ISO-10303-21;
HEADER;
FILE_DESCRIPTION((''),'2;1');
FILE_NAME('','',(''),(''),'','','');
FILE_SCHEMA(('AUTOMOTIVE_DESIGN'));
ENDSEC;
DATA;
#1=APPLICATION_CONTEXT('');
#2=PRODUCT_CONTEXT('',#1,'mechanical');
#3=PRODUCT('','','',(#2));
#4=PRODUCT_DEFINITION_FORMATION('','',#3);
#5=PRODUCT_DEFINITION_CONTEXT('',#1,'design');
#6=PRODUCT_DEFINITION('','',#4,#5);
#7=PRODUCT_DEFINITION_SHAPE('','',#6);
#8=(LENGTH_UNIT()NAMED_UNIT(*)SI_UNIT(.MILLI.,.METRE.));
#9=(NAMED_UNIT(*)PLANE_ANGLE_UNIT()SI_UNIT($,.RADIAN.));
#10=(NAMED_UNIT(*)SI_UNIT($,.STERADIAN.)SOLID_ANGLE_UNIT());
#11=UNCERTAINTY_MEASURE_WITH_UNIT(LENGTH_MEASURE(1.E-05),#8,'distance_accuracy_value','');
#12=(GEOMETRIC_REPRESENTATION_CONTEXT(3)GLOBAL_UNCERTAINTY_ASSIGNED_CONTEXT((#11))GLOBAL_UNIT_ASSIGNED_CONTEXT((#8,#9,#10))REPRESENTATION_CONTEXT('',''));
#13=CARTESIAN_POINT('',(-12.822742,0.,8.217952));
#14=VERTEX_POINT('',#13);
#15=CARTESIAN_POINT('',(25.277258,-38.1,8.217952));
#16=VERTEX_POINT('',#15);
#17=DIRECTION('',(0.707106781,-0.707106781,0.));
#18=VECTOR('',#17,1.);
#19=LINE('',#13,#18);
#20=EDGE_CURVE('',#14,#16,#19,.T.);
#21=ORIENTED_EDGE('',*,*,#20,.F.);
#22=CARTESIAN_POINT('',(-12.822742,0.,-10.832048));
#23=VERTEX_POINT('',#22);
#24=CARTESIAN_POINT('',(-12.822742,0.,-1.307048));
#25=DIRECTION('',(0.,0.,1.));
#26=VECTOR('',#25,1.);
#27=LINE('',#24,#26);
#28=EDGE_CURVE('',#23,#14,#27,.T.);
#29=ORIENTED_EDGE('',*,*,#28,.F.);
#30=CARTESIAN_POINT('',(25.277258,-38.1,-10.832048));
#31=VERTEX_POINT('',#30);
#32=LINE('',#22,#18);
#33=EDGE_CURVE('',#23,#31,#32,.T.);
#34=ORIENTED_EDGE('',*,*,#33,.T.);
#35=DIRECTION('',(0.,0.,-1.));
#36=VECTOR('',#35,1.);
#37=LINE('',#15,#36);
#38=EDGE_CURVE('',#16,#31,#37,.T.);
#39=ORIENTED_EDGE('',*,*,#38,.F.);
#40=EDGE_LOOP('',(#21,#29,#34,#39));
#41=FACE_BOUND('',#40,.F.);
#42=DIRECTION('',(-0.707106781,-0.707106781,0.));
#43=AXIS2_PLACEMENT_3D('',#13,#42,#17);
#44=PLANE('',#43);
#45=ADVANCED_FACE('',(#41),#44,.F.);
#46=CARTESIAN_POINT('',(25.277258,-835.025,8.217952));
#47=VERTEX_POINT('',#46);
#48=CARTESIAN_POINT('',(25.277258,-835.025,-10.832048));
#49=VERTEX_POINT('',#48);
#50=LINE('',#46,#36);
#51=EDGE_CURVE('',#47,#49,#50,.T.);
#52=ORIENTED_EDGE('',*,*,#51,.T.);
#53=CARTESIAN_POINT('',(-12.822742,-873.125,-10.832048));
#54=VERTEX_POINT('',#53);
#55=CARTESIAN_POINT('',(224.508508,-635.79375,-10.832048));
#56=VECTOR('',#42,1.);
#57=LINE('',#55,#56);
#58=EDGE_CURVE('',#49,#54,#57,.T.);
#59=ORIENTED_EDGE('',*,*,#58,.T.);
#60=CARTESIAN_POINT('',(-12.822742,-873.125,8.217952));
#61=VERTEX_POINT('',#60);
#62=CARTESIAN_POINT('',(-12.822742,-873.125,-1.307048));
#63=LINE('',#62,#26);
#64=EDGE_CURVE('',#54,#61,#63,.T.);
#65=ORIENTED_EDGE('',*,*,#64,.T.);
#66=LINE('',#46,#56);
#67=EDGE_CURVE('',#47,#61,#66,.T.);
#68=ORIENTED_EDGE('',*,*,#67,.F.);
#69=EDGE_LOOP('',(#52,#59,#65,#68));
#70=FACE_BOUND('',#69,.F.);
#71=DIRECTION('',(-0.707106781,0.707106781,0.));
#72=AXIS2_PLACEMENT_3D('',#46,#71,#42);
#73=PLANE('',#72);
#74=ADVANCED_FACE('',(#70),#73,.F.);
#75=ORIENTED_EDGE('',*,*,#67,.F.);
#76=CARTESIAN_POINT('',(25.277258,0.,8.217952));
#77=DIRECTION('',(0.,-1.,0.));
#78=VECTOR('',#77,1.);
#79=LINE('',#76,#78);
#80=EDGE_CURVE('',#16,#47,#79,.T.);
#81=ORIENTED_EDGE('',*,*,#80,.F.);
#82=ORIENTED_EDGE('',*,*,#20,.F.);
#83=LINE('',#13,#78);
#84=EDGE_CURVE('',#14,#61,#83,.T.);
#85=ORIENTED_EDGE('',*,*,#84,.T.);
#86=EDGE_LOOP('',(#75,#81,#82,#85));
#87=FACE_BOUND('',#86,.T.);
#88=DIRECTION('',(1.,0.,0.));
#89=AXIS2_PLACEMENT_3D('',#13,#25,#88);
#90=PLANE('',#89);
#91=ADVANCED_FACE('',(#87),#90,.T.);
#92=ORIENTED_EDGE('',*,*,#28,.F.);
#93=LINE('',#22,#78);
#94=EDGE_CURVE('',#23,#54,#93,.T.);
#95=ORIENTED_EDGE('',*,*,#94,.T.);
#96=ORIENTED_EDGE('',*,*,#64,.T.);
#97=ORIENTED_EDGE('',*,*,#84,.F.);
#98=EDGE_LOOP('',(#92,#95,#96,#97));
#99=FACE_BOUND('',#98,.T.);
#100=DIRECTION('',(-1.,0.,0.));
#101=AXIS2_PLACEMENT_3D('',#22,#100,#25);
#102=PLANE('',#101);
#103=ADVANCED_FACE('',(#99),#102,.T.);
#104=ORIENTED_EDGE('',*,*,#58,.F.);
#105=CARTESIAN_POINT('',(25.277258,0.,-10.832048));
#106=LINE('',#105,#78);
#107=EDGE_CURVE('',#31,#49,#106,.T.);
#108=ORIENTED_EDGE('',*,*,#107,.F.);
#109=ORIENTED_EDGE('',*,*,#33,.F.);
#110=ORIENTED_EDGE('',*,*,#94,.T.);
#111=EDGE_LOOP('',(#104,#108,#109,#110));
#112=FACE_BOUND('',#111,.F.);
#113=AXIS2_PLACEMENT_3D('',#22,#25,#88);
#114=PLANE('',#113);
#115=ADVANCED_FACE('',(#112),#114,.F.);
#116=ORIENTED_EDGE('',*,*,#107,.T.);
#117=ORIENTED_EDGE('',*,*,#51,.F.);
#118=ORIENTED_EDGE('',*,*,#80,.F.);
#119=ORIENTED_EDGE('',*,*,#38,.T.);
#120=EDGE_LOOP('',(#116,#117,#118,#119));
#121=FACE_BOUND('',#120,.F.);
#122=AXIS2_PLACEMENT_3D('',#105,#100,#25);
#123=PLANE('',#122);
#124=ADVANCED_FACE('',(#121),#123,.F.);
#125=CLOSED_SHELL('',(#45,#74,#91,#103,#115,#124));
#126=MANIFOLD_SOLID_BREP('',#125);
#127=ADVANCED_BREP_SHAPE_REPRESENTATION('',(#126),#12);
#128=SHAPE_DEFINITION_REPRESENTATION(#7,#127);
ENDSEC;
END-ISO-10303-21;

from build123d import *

# Parameters (mm, degrees)
F0_W     = 38.1
F0_H     = 19.05
F1_DEPTH = 873.125
F3_DEPTH = 25.4


with BuildPart() as f1:
    # F0 (on Front) → F1 (new body)
    with BuildSketch(Plane.XZ):
        with Locations((6.227258, -1.307048)):
            Rectangle(F0_W, F0_H)
    extrude(amount=F1_DEPTH)

    # F2 (on face) → F3 (cut)
    with BuildSketch(Plane.XY.offset(8.217952)):
        Polygon((25.277258, -835.025), (-12.822742, -873.125), (25.277258, -873.125), align=None)
        Polygon((25.277258, -38.1), (25.277258, 0), (-12.822742, 0), align=None)
    extrude(amount=-F3_DEPTH, mode=Mode.SUBTRACT)


solid = f1.part
